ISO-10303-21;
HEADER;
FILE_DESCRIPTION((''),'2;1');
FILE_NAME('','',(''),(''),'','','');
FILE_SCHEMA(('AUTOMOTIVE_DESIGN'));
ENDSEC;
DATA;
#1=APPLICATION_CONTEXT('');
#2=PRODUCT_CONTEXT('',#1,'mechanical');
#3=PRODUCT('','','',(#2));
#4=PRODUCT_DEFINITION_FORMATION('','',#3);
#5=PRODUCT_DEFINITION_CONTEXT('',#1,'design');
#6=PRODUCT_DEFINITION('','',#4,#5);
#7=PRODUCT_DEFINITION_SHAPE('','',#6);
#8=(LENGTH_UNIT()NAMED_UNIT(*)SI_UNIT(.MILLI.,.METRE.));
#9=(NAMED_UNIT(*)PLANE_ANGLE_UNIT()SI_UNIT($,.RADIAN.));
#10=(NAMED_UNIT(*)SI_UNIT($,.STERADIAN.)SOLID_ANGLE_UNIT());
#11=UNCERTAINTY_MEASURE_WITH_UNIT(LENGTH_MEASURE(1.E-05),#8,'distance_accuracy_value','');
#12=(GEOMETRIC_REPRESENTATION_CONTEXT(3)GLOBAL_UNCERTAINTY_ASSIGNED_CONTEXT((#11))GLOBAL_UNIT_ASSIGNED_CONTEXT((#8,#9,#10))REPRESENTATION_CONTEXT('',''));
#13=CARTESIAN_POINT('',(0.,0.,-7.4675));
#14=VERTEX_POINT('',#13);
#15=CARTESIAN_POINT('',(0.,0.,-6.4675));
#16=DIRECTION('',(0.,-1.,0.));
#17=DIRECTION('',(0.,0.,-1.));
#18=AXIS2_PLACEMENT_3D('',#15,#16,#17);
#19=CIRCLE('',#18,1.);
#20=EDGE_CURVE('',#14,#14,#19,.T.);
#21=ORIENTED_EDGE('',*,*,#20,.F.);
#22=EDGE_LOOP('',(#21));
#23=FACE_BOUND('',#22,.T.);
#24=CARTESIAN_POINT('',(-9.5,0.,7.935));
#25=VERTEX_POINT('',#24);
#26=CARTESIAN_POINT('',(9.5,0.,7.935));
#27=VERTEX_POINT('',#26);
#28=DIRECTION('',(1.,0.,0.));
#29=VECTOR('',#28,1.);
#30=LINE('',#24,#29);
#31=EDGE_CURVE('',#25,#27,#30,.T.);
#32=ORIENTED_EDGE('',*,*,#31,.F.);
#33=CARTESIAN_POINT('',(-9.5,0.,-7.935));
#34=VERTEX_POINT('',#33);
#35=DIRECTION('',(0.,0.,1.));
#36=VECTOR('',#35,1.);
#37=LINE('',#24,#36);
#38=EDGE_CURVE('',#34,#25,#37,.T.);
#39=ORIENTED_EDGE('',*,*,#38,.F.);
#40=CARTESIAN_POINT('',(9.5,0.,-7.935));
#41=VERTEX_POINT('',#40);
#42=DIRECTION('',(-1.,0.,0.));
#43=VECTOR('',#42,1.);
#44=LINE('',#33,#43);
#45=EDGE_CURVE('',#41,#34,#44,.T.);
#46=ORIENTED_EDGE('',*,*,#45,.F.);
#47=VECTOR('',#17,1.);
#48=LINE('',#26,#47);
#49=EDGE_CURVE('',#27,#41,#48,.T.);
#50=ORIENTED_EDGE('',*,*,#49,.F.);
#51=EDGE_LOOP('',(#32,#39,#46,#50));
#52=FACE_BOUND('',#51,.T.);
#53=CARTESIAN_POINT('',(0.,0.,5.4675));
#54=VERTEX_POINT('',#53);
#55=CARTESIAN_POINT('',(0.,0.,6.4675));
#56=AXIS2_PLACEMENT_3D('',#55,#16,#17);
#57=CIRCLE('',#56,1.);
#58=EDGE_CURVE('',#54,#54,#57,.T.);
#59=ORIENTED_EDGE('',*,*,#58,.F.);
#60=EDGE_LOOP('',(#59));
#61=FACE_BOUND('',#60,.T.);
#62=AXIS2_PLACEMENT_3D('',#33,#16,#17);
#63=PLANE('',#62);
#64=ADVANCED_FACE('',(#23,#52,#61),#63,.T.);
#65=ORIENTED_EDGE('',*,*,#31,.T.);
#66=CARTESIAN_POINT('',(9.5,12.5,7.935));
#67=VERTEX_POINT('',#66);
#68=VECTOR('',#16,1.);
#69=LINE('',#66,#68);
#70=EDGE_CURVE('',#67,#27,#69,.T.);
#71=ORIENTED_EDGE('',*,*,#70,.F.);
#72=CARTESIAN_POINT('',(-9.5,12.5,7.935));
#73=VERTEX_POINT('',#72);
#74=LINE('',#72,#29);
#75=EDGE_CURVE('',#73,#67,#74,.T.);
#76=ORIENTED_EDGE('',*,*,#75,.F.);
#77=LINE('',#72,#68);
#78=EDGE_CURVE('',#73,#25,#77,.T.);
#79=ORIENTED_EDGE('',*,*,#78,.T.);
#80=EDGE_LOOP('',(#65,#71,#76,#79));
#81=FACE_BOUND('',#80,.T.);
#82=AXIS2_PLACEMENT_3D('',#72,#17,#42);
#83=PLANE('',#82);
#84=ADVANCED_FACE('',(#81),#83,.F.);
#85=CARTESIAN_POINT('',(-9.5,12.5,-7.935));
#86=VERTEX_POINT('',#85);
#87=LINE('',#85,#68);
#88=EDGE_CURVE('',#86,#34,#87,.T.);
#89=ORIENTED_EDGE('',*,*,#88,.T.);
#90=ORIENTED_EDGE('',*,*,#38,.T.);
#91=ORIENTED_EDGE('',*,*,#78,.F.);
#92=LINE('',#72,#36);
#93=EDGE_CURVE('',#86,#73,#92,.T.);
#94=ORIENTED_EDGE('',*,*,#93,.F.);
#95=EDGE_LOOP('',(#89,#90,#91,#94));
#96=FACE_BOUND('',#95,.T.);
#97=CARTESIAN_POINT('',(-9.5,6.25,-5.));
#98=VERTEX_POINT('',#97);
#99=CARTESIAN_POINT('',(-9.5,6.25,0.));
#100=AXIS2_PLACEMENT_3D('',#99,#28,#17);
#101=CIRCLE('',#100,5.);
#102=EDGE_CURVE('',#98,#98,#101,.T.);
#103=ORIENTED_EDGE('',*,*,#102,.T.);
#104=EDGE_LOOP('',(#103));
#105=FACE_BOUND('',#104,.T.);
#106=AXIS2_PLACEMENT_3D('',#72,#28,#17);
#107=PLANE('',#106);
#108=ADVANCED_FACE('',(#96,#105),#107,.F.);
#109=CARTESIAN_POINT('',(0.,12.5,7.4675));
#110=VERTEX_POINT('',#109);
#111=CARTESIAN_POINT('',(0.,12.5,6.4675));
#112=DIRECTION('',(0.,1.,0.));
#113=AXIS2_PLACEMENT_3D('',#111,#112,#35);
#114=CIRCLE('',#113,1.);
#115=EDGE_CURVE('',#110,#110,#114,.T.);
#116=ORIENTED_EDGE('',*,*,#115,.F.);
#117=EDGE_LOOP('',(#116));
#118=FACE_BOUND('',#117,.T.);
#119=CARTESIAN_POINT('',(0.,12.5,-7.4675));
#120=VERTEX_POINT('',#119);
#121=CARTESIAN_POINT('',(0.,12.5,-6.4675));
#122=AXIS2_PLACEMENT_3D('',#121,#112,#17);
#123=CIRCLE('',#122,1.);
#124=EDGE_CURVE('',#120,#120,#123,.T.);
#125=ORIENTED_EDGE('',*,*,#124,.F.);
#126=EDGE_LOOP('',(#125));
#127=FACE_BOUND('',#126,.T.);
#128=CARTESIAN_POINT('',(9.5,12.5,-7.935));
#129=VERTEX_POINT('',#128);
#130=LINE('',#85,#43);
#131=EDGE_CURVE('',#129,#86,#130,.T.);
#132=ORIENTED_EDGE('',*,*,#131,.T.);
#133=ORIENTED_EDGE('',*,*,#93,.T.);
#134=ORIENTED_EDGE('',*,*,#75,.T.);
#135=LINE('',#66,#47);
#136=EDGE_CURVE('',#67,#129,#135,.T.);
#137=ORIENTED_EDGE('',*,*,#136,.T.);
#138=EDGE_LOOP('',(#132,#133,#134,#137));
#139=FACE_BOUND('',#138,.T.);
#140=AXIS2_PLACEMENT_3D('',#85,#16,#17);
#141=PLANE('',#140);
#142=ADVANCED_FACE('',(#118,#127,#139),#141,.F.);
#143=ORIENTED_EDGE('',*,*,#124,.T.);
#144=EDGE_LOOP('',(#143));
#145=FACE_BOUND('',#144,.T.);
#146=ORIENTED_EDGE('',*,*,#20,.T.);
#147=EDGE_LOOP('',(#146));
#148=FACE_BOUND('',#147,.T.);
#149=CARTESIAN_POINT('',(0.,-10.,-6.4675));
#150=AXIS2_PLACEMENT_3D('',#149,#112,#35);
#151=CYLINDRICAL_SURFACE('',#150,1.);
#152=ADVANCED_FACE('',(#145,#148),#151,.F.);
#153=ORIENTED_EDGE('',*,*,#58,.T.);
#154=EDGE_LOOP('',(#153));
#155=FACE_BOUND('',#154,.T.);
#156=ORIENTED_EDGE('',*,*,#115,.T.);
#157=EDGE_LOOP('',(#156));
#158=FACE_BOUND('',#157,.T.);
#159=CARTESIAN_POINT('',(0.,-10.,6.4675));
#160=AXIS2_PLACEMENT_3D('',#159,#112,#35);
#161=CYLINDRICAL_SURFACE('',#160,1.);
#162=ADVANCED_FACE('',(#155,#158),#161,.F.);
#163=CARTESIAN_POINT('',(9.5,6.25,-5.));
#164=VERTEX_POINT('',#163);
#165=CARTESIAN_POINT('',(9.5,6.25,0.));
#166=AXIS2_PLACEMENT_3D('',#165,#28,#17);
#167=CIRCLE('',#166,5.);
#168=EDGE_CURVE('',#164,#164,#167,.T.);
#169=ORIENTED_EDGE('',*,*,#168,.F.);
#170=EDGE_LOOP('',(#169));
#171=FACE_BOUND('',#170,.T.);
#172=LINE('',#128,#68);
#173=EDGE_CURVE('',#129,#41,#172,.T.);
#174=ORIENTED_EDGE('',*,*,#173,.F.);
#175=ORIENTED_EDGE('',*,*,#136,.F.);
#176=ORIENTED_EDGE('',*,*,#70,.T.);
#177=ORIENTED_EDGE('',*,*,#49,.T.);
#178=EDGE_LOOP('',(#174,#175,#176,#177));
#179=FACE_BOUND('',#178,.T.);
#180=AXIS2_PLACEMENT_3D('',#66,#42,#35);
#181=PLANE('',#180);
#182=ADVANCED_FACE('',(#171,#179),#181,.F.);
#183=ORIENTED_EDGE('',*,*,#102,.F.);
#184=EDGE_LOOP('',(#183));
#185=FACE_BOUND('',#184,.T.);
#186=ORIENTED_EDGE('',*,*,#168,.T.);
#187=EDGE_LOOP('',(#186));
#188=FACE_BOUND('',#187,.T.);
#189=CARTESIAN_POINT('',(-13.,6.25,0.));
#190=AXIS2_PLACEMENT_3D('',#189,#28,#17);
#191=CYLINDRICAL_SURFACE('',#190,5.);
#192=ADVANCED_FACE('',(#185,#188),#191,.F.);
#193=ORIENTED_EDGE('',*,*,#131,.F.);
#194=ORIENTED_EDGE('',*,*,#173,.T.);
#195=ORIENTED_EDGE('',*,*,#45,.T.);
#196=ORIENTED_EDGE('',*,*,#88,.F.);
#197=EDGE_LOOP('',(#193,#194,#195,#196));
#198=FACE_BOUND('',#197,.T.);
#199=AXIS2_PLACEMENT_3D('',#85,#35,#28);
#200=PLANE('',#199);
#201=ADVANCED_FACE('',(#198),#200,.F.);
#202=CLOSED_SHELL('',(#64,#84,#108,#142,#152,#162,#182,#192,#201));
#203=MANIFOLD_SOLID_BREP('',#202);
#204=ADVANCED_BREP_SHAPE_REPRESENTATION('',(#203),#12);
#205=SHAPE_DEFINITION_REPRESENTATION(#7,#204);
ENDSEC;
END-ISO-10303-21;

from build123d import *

# Parameters (mm, degrees)
SKETCH1_W          = 19
SKETCH1_H          = 15.87
EXTRUDE1_DEPTH     = 12.5
SKETCH2_R          = 5
CUT_EXTRUDE1_DEPTH = 22.5
SKETCH3_R          = 1
CUT_EXTRUDE2_DEPTH = 22.5


with BuildPart() as part:
    # Sketch1 → Extrude1 (new body)
    with BuildSketch(Plane(origin=(0, 0, 0), x_dir=(1, 0, 0), z_dir=(0, 1, 0))):
        Rectangle(SKETCH1_W, SKETCH1_H)
    extrude(amount=EXTRUDE1_DEPTH)

    # Sketch2 → Cut-Extrude1 (cut)
    with BuildSketch(Plane(origin=(9.5, 0, 0), x_dir=(0, 0, -1), z_dir=(1, 0, 0))):
        with Locations((0, 6.25)):
            Circle(SKETCH2_R)
    extrude(amount=-CUT_EXTRUDE1_DEPTH, mode=Mode.SUBTRACT)

    # Sketch3 → Cut-Extrude2 (cut)
    with BuildSketch(Plane(origin=(0, 12.5, 0), x_dir=(1, 0, 0), z_dir=(0, 1, 0))):
        with Locations(Location((0, -6.4675, 0), (0, 0, 270))):  # turned: the seam where the file's is
            Circle(SKETCH3_R)
        with Locations(Location((0, 6.4675, 0), (0, 0, 90))):  # turned: the seam where the file's is
            Circle(SKETCH3_R)
    extrude(amount=-CUT_EXTRUDE2_DEPTH, mode=Mode.SUBTRACT)


solid = part.part
